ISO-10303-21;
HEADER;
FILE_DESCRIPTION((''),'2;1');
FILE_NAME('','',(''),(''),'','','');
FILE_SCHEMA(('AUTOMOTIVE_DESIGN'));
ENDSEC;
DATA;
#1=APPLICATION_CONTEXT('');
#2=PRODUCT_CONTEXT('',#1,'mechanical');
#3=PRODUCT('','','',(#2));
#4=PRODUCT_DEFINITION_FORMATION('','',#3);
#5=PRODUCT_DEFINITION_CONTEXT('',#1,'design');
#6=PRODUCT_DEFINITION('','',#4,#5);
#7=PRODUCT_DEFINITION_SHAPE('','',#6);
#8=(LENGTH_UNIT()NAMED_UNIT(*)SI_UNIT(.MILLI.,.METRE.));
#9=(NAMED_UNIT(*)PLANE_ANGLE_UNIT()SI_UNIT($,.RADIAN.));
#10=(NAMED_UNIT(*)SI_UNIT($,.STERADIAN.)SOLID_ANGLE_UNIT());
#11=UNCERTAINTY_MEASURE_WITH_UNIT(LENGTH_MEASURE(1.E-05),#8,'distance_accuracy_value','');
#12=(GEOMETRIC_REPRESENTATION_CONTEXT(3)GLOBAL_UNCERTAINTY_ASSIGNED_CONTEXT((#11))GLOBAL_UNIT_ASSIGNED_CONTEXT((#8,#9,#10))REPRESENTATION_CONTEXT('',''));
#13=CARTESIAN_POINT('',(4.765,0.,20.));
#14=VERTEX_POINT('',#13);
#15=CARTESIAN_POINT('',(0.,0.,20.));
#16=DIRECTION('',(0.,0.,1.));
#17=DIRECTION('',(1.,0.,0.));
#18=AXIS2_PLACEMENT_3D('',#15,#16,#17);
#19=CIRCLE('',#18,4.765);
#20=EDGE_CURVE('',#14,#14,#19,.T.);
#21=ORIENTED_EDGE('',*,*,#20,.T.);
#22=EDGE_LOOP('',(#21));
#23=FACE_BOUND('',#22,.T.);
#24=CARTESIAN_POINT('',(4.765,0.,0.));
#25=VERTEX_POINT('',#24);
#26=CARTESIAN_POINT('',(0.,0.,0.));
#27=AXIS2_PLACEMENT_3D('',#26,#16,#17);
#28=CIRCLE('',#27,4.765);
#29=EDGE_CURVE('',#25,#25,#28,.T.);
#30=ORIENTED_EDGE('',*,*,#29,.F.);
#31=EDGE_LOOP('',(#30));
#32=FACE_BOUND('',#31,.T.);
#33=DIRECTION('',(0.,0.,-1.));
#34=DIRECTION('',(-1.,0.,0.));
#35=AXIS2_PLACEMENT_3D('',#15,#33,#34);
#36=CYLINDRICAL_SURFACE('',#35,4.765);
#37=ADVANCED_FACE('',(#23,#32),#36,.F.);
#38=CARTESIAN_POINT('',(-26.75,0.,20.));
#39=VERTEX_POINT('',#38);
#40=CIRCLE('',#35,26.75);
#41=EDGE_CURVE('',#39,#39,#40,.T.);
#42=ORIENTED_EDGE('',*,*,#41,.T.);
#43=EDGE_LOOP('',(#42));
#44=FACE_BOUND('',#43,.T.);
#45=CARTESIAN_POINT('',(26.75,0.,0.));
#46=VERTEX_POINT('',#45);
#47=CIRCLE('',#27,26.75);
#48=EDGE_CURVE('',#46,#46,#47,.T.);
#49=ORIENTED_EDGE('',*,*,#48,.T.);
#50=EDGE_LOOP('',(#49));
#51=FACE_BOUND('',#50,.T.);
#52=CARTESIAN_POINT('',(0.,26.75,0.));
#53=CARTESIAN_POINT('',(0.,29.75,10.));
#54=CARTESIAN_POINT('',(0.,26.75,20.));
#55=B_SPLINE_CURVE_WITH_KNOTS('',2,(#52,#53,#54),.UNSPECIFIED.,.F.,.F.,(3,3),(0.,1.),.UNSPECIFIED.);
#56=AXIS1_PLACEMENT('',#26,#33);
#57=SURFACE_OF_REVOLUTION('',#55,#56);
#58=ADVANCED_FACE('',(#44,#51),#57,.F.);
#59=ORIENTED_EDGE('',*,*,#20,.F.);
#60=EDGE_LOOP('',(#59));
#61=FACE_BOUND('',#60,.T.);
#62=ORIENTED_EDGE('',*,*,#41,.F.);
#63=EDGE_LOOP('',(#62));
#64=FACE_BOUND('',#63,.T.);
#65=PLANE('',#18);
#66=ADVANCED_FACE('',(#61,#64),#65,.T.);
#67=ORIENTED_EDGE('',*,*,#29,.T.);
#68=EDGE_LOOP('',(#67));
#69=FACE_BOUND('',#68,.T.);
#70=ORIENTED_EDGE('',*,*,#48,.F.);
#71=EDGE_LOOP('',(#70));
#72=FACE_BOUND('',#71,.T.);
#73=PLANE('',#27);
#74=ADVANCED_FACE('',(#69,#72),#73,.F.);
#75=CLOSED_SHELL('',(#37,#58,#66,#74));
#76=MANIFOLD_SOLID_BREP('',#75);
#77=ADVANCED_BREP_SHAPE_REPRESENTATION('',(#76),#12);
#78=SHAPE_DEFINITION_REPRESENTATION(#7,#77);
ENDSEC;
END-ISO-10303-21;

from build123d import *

# Parameters (mm, degrees)
SKETCH1_R           = 26.75
SKETCH1_R_2         = 4.765
BOSS_EXTRUDE1_DEPTH = 20


with BuildPart() as part:
    # Sketch1 → Boss-Extrude1 (new body)
    with BuildSketch(Plane.XY):
        Circle(SKETCH1_R)
        Circle(SKETCH1_R_2, mode=Mode.SUBTRACT)
    extrude(amount=BOSS_EXTRUDE1_DEPTH)

    # Sketch2 → Revolve1 (revolve)
    with BuildSketch(Plane(origin=(0, 0, 0), x_dir=(0, 0, -1), z_dir=(1, 0, 0))):
        with BuildLine():
            Line((-20, 26.75), (0, 26.75))
            add(Edge.make_bspline(
                [(-20, 26.75), (-10, 29.75), (0, 26.75)],
                knots=[0, 0, 0, 1, 1, 1], degree=2))
        make_face()
    revolve(axis=Axis((0, 0, 0), (0, 0, 1)))


solid = part.part
